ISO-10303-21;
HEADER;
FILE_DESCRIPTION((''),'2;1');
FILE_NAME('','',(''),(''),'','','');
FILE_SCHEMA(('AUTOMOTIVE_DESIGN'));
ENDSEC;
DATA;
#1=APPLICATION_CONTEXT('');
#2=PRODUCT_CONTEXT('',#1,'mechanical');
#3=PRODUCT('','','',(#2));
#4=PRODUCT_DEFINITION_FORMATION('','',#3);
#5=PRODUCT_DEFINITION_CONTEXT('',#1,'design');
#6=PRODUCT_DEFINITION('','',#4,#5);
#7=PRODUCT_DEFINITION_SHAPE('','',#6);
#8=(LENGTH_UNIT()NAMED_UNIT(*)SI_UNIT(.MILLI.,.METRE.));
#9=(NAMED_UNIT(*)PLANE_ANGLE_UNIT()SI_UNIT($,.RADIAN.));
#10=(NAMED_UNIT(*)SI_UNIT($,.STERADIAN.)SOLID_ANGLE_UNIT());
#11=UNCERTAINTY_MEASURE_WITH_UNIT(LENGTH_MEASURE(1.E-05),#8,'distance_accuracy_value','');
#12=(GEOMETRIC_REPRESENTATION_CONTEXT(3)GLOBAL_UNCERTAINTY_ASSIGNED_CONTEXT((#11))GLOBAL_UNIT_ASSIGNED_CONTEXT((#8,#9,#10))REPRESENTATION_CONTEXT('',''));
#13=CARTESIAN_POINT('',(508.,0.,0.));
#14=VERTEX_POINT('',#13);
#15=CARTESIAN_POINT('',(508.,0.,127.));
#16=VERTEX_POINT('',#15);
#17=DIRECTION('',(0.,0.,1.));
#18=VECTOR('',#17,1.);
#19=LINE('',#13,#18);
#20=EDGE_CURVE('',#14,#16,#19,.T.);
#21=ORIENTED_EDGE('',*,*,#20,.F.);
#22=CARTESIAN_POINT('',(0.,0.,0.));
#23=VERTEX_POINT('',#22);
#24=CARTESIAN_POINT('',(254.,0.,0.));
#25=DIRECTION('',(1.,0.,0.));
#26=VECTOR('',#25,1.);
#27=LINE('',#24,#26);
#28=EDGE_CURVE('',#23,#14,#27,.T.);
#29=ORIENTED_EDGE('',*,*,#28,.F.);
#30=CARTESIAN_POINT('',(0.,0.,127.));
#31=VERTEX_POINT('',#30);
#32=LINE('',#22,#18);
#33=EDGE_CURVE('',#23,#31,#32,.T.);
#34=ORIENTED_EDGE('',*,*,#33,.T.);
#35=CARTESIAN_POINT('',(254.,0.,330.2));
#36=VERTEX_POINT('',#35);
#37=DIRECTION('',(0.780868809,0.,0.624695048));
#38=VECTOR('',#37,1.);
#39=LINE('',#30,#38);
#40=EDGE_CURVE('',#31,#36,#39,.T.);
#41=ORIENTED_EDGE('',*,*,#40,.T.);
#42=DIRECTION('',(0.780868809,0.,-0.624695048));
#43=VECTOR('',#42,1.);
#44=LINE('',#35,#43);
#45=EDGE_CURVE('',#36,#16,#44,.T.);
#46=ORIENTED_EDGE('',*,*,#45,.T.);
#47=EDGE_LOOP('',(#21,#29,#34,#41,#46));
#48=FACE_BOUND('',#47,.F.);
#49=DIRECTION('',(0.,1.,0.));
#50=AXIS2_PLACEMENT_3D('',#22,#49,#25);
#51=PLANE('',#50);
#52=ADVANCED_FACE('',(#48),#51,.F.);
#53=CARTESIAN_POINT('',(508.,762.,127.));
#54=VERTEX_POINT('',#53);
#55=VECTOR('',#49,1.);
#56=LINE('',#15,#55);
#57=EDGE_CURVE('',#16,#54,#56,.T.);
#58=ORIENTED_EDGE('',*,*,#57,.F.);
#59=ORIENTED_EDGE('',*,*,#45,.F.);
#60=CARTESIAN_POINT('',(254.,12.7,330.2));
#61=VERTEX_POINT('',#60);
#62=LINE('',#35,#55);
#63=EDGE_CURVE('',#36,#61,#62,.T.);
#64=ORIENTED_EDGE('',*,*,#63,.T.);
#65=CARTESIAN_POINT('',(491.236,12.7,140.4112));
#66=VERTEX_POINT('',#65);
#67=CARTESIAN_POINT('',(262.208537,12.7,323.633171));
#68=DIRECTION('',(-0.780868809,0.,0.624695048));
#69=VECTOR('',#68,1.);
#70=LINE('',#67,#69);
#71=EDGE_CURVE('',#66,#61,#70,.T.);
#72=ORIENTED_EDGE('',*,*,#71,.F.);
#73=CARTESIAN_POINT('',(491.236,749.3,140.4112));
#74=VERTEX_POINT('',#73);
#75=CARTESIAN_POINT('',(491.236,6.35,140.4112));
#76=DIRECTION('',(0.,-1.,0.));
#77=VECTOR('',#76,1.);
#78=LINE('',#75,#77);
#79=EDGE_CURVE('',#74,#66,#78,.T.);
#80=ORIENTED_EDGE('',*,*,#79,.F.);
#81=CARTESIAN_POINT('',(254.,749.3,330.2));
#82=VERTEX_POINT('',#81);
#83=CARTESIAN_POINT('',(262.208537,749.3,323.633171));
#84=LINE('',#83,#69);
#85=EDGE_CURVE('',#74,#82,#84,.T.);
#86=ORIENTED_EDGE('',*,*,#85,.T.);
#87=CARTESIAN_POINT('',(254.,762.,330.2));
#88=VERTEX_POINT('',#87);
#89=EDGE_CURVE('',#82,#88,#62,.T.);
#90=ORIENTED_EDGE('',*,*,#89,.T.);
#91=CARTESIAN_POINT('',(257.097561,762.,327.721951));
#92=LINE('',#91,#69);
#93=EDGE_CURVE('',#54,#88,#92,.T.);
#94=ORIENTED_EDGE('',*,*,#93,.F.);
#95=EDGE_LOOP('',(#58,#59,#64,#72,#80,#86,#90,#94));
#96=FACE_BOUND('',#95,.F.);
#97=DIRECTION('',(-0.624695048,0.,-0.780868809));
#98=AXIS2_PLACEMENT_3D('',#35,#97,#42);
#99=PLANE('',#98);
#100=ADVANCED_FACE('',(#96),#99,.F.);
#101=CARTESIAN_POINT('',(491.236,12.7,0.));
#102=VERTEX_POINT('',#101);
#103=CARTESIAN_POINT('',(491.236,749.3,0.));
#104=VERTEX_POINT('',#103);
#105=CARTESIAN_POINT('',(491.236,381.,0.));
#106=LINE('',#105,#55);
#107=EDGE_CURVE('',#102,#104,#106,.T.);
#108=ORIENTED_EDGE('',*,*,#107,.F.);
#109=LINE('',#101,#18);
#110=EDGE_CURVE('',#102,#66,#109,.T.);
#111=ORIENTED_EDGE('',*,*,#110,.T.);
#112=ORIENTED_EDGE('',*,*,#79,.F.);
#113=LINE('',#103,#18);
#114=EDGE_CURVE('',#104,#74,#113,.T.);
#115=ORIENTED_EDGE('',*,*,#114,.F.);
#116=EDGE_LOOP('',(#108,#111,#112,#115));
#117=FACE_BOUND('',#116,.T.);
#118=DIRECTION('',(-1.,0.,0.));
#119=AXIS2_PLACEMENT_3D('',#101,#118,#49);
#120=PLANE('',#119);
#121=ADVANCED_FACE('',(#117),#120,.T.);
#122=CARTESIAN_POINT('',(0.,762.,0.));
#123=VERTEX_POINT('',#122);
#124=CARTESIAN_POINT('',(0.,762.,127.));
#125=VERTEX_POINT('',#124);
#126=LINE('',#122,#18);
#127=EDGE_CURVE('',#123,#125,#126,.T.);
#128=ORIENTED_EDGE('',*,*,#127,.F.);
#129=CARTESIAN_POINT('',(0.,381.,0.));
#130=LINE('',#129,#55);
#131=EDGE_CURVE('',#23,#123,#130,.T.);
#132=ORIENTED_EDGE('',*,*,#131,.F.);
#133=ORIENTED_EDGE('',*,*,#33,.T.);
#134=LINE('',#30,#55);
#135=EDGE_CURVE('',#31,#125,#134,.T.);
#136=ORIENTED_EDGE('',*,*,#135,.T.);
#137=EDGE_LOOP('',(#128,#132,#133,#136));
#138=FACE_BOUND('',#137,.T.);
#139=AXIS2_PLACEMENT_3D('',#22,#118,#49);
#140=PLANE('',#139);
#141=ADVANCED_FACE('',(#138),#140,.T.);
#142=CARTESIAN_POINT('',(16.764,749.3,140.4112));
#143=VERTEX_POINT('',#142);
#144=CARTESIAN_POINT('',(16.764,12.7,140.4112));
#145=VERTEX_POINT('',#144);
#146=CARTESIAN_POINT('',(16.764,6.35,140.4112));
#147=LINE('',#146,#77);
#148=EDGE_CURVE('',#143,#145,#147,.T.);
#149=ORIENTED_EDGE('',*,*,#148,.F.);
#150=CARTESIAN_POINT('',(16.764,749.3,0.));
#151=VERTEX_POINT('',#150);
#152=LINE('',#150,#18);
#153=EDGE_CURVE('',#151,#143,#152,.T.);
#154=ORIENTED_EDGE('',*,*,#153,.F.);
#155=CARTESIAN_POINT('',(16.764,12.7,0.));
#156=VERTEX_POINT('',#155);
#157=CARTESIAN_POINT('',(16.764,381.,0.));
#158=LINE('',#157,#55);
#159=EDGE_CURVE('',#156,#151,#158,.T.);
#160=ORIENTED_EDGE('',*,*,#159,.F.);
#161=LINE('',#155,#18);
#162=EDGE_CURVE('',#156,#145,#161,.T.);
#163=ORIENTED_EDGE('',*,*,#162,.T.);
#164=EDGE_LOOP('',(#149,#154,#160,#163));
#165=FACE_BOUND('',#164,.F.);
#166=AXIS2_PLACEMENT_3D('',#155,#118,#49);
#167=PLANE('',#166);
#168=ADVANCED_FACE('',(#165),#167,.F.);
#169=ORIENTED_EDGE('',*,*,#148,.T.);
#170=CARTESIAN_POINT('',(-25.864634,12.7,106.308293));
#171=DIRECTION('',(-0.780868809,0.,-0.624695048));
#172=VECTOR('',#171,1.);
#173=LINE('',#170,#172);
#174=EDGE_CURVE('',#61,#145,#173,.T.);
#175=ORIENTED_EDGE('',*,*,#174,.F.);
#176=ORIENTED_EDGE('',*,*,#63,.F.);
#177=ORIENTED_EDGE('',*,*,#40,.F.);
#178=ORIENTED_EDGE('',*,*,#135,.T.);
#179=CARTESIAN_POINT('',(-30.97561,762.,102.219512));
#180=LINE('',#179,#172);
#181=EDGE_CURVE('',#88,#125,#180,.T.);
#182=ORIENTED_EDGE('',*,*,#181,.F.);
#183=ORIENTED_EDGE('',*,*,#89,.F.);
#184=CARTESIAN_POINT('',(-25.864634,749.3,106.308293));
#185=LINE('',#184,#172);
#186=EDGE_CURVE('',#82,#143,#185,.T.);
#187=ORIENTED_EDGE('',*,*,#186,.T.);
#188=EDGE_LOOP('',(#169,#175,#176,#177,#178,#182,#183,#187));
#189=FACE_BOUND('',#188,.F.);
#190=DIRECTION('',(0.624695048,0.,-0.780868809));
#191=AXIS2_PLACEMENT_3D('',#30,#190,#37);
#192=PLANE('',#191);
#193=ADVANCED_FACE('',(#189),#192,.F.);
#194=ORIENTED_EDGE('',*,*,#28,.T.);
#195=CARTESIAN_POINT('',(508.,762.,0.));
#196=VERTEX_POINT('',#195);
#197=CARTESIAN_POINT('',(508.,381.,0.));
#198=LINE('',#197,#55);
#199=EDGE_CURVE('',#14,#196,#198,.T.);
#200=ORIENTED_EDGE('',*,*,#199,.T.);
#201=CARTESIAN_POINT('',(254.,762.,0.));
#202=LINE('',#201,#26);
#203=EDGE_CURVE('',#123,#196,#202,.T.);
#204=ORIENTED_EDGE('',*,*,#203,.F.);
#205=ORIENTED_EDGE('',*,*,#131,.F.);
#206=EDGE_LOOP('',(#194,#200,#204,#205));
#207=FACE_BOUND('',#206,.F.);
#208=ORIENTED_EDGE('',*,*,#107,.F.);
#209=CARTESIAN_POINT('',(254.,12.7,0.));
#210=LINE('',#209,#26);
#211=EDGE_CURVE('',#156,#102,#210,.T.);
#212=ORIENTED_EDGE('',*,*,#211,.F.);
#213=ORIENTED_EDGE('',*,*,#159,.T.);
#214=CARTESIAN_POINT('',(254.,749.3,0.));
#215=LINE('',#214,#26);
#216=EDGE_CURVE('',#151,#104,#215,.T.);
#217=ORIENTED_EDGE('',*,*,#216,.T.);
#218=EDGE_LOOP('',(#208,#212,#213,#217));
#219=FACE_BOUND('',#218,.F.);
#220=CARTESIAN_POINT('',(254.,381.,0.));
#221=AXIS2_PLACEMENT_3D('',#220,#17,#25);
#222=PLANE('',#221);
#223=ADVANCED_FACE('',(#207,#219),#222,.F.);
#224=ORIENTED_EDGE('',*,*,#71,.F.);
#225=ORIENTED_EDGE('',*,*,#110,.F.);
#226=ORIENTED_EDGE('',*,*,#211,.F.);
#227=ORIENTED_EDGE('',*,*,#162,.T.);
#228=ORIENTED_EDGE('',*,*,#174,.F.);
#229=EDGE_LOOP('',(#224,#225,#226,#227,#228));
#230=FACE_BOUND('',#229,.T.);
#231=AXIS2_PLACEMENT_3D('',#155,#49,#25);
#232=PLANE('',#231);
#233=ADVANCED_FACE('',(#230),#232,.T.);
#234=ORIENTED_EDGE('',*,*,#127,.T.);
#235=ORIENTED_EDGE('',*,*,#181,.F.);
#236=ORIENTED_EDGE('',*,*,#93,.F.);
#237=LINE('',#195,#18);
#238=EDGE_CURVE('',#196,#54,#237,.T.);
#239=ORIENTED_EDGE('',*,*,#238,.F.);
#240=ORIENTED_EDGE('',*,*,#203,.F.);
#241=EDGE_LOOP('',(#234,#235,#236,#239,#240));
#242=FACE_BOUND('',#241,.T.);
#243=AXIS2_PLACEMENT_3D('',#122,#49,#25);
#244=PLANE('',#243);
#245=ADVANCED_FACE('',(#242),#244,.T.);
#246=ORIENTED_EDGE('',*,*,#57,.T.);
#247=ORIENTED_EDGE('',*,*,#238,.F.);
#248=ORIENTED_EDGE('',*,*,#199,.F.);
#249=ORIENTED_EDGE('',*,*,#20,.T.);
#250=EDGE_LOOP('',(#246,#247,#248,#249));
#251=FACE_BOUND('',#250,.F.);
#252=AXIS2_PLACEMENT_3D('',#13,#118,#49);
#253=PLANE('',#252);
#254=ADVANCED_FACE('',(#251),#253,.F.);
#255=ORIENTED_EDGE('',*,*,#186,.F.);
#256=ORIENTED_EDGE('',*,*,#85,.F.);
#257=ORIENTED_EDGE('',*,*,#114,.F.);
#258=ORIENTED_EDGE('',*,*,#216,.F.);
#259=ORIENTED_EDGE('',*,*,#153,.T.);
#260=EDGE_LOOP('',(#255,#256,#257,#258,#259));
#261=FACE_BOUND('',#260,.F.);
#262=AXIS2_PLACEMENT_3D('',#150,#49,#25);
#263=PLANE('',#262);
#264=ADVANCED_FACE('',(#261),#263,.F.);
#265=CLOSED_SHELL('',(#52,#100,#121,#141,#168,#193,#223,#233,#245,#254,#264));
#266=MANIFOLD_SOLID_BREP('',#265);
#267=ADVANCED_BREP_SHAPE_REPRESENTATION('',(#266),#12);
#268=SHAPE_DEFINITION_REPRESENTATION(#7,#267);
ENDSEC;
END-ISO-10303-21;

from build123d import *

# Parameters (mm, degrees)
F0_W     = 508
F0_H     = 762
F0_W_2   = 474.472
F0_H_2   = 736.6
F1_DEPTH = 330.2
F3_DEPTH = 762.001


with BuildPart() as f1:
    # F0 (on Top) → F1 (new body)
    with BuildSketch(Plane.XY):
        with Locations((254, 381)):
            Rectangle(F0_W, F0_H)
        with Locations((254, 381)):
            Rectangle(F0_W_2, F0_H_2, mode=Mode.SUBTRACT)
    extrude(amount=F1_DEPTH)

    # F2 (on Front) → F3 (cut, through all)
    with BuildSketch(Plane.XZ):
        Polygon((0, 330.2), (0, 127), (254, 330.2), align=None)
        Polygon((508, 330.2), (254, 330.2), (508, 127), align=None)
    extrude(amount=-F3_DEPTH, mode=Mode.SUBTRACT)


solid = f1.part
